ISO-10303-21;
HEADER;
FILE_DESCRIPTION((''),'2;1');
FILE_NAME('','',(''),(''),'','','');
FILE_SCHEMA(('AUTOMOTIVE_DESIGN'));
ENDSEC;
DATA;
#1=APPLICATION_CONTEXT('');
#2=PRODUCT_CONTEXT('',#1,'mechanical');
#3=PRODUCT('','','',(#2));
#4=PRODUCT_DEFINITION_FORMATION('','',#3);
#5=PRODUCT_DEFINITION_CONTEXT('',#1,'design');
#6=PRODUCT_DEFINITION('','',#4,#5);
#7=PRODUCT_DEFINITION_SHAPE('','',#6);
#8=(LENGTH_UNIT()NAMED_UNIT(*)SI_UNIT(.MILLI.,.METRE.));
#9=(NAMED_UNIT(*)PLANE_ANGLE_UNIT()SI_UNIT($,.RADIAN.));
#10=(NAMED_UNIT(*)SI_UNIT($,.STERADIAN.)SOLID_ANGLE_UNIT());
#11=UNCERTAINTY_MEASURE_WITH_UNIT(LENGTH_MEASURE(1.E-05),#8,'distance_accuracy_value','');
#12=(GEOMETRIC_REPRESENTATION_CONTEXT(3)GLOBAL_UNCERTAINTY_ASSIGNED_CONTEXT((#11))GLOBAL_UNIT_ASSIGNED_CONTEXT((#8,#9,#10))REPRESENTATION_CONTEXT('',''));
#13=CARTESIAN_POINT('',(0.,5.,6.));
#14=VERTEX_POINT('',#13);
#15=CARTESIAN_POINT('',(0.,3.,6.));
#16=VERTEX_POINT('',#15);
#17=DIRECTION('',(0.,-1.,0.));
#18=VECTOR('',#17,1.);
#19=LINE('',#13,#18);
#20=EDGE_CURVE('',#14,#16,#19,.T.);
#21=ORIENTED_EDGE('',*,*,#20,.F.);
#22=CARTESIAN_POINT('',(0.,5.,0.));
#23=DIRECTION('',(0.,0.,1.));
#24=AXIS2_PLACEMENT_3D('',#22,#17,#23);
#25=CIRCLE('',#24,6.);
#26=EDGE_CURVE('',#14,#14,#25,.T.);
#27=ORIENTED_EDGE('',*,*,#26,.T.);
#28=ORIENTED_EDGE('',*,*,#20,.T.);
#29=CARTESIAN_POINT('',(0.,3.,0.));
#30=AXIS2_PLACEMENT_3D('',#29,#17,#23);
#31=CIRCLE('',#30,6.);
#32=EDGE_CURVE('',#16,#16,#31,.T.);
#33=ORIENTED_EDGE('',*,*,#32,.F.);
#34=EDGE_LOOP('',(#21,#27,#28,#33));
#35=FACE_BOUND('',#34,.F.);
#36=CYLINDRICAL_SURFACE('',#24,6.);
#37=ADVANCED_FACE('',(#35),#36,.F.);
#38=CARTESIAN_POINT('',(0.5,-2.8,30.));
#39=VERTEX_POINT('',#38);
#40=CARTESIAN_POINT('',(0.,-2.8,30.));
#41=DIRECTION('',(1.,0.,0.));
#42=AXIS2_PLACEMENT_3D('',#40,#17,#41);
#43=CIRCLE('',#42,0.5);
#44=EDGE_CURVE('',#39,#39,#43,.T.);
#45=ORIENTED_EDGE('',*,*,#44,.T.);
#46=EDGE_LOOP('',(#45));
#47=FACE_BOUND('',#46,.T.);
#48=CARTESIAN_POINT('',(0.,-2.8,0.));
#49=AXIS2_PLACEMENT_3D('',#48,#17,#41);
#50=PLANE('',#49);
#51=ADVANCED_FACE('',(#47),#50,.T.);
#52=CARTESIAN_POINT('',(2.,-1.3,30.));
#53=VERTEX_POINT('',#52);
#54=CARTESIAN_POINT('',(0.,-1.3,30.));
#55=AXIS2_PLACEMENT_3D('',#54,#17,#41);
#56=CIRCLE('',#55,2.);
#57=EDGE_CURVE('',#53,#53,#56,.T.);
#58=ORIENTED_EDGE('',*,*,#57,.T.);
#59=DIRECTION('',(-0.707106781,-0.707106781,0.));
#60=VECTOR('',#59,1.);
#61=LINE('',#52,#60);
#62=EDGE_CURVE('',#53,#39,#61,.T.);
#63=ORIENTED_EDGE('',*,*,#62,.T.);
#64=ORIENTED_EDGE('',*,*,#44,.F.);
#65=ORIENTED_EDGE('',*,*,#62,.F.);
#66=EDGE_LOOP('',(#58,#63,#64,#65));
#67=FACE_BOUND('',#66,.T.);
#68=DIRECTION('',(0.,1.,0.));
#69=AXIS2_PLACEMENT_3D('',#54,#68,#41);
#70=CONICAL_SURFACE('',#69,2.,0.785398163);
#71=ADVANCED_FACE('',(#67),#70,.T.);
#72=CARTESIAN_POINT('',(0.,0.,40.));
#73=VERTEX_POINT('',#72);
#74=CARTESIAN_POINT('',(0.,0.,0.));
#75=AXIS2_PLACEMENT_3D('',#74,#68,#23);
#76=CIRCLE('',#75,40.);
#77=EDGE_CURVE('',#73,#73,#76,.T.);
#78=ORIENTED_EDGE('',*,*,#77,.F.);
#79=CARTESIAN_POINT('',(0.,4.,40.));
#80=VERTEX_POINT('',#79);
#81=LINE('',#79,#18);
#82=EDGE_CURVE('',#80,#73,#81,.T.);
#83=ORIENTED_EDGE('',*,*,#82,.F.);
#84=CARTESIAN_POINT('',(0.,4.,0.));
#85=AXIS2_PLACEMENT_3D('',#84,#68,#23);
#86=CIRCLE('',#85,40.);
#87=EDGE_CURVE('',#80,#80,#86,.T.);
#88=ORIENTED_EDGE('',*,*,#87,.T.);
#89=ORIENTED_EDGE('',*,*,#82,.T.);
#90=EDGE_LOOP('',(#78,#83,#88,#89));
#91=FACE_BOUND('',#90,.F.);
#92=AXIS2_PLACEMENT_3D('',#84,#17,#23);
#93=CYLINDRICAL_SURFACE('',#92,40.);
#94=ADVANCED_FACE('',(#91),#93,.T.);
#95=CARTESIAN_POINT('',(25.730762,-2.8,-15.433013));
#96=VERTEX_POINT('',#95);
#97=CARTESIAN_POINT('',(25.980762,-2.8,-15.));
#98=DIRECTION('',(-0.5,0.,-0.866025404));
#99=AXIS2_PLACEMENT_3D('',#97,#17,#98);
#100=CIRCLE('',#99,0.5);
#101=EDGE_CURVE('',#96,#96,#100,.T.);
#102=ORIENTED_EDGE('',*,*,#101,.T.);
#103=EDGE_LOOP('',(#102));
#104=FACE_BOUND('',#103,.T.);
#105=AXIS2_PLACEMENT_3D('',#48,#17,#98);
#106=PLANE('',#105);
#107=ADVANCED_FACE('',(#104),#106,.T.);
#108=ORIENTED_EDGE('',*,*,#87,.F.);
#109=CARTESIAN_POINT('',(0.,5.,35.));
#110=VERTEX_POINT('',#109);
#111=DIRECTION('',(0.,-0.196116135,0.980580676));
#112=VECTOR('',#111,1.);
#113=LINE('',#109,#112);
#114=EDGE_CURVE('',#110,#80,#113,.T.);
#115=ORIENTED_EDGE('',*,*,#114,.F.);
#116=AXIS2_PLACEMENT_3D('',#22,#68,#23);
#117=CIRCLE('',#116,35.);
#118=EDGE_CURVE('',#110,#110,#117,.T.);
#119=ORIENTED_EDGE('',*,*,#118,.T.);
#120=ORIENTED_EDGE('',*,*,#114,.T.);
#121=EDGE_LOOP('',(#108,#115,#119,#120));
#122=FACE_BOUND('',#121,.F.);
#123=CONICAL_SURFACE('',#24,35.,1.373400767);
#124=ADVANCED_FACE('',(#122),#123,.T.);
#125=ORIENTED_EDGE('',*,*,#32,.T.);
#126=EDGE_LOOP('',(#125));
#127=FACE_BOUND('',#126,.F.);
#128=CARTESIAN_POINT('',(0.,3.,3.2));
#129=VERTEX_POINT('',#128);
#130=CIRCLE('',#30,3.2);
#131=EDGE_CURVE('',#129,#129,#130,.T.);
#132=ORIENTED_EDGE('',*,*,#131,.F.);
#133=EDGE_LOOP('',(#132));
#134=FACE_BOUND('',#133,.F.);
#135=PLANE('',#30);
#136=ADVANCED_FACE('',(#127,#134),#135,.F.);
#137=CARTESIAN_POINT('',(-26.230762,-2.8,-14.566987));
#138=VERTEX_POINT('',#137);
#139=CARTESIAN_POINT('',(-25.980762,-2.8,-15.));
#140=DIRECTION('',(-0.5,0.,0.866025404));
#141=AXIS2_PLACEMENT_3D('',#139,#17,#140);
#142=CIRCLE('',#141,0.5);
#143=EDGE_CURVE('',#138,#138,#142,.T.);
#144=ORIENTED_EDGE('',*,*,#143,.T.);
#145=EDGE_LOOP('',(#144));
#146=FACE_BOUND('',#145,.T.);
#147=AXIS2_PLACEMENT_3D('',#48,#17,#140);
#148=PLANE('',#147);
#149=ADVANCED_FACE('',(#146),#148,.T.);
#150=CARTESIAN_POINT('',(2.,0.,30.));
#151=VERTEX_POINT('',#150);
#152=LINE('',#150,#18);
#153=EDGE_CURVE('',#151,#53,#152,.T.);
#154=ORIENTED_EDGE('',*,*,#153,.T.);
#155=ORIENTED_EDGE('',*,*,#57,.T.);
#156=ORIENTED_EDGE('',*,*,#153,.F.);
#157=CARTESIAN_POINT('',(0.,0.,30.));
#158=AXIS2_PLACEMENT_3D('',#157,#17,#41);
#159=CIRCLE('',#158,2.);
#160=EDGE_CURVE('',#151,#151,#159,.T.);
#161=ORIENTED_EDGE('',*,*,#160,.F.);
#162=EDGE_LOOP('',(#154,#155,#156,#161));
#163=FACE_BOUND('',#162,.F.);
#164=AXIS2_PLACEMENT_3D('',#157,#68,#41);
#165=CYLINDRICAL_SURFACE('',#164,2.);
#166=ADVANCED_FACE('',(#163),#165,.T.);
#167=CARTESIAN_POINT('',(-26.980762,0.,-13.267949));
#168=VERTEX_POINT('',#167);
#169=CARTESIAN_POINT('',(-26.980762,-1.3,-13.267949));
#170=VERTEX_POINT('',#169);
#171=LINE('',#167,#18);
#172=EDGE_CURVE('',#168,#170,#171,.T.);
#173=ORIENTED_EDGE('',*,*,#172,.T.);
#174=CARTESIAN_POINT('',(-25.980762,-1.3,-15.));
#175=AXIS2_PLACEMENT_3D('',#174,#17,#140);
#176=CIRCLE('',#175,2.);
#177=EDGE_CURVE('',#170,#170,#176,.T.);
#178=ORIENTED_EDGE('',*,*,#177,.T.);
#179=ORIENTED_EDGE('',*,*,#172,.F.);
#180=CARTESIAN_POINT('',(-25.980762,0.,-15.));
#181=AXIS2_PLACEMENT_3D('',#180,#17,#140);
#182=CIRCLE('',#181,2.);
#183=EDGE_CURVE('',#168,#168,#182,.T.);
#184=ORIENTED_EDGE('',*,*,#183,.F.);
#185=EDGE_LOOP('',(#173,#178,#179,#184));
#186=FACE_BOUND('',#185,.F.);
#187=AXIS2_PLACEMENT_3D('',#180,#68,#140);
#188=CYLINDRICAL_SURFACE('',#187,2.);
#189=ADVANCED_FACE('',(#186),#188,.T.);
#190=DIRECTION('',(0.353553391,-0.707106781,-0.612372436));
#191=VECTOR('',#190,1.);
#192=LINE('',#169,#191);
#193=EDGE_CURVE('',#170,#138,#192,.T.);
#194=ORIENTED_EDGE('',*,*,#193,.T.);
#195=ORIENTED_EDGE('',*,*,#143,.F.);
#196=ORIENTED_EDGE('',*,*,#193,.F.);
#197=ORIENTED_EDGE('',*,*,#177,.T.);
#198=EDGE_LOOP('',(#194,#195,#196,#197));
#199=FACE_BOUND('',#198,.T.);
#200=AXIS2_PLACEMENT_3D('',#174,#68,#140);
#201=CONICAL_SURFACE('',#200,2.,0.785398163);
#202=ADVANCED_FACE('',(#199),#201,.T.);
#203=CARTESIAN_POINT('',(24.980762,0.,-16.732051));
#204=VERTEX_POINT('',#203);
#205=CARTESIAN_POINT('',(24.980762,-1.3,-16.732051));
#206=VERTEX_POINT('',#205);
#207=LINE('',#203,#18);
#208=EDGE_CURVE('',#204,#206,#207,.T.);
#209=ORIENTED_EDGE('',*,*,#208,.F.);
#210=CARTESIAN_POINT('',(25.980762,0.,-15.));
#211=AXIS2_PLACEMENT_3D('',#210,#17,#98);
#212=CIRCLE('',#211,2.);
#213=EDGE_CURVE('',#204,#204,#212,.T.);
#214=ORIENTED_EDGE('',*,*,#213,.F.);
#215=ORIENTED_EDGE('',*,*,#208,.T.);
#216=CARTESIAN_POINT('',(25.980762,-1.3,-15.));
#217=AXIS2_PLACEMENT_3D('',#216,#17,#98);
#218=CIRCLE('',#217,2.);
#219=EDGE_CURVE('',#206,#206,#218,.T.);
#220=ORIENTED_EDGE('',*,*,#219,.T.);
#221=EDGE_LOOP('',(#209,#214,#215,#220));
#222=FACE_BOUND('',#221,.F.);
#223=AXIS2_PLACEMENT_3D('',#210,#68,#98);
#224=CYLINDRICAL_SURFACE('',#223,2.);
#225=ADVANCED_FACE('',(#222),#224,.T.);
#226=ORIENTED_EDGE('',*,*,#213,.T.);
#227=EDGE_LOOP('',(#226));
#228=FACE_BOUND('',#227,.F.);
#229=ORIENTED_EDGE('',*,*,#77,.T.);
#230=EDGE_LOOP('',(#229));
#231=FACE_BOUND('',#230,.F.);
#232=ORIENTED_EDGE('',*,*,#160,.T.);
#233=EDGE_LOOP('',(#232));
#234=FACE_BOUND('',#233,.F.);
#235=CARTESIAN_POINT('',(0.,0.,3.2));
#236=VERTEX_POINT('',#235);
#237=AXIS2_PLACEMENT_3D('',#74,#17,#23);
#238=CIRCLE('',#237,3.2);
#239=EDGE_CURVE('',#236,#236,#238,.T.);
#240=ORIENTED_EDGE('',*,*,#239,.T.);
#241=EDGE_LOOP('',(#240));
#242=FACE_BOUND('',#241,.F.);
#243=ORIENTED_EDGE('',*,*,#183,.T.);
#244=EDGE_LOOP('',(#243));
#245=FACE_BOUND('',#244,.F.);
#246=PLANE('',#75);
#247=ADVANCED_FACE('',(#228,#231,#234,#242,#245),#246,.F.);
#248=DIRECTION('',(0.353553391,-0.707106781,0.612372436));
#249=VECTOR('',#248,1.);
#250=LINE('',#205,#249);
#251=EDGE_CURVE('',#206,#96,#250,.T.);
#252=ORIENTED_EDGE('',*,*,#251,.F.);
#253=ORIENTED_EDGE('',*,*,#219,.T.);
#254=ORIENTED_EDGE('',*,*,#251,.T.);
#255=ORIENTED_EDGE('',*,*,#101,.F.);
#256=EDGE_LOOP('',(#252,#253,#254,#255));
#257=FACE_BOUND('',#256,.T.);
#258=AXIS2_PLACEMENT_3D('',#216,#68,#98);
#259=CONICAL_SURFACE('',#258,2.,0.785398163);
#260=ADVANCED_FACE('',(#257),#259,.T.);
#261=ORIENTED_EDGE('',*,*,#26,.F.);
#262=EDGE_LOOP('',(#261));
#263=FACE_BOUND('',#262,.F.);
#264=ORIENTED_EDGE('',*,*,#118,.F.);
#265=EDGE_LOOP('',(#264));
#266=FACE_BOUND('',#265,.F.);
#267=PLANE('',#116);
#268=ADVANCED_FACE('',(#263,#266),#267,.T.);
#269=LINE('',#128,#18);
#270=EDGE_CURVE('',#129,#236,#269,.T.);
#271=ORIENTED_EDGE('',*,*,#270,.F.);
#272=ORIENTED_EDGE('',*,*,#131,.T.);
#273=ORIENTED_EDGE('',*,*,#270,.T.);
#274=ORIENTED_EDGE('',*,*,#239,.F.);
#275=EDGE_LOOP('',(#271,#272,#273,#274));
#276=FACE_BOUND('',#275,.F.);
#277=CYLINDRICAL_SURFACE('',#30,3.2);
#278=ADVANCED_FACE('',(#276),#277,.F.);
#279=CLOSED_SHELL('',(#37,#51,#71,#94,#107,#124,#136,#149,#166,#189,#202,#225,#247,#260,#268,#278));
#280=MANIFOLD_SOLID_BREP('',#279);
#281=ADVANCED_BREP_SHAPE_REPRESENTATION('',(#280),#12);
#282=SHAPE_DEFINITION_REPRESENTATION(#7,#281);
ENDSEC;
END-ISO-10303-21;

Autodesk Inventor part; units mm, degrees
ref_plane "YZ Plane" through (0, 0, 0) normal (1, 0, 0) x (0, 1, 0)
ref_plane "XZ Plane" through (0, 0, 0) normal (0, 1, 0) x (-1, 0, 0)
ref_plane "XY Plane" through (0, 0, 0) normal (0, 0, 1) x (1, 0, 0)
sketch "Esquisse3" plane through (0, 0, 0) normal (1, 0, 0) x (0, 1, 0)
  line L0 (-7.2956, 0) -> (7.2956, 0)
  line L1 (5, 0) -> (5, 35)
  line L2 (5, 35) -> (4, 40)
  line L3 (4, 40) -> (0, 40)
  line L4 (0, 40) -> (0, 0)
  line L5 (0, 0) -> (5, 0)
  dimension "d1" = 5
  dimension "d2" = 4
  dimension "d3" = 5
  dimension "d4" = 80
revolve "Révolution1" add sketch "Esquisse3" angle 360 about axis through (0, -7.2956, 0) along (0, 1, 0)
sketch "Esquisse4" plane through (0, 5, 0) normal (0, 1, 0) x (1, 0, 0)
  point P0 (0, 0)
  point P1 (0, 0)
hole "Perçage1" at (0, 5, 0) direction (0, -1, 0) diameter 6.4 end through all counterbore diameter 12 counterbore depth 2
sketch "Esquisse5" plane through (0, 0, 0) normal (0, -1, 0) x (1, 0, 0)
  circle A0 centre (0, 30) radius 2
  point P0 (0, 0)
  dimension "d13" = 4
  dimension "d14" = 30
extrude "Extrusion1" add sketch "Esquisse5" along normal blind 2.8
chamfer "Chanfrein1" distance 1.5 angle 45 1 edges at (-2, -2.8, 30)
pattern_circular "Réseau circulaire1" count 3 over 360 about axis through (0, -10, 0) along (0, 1, 0) of "Extrusion1", "Chanfrein1"
properties part number "support_serrage_tourelle"
